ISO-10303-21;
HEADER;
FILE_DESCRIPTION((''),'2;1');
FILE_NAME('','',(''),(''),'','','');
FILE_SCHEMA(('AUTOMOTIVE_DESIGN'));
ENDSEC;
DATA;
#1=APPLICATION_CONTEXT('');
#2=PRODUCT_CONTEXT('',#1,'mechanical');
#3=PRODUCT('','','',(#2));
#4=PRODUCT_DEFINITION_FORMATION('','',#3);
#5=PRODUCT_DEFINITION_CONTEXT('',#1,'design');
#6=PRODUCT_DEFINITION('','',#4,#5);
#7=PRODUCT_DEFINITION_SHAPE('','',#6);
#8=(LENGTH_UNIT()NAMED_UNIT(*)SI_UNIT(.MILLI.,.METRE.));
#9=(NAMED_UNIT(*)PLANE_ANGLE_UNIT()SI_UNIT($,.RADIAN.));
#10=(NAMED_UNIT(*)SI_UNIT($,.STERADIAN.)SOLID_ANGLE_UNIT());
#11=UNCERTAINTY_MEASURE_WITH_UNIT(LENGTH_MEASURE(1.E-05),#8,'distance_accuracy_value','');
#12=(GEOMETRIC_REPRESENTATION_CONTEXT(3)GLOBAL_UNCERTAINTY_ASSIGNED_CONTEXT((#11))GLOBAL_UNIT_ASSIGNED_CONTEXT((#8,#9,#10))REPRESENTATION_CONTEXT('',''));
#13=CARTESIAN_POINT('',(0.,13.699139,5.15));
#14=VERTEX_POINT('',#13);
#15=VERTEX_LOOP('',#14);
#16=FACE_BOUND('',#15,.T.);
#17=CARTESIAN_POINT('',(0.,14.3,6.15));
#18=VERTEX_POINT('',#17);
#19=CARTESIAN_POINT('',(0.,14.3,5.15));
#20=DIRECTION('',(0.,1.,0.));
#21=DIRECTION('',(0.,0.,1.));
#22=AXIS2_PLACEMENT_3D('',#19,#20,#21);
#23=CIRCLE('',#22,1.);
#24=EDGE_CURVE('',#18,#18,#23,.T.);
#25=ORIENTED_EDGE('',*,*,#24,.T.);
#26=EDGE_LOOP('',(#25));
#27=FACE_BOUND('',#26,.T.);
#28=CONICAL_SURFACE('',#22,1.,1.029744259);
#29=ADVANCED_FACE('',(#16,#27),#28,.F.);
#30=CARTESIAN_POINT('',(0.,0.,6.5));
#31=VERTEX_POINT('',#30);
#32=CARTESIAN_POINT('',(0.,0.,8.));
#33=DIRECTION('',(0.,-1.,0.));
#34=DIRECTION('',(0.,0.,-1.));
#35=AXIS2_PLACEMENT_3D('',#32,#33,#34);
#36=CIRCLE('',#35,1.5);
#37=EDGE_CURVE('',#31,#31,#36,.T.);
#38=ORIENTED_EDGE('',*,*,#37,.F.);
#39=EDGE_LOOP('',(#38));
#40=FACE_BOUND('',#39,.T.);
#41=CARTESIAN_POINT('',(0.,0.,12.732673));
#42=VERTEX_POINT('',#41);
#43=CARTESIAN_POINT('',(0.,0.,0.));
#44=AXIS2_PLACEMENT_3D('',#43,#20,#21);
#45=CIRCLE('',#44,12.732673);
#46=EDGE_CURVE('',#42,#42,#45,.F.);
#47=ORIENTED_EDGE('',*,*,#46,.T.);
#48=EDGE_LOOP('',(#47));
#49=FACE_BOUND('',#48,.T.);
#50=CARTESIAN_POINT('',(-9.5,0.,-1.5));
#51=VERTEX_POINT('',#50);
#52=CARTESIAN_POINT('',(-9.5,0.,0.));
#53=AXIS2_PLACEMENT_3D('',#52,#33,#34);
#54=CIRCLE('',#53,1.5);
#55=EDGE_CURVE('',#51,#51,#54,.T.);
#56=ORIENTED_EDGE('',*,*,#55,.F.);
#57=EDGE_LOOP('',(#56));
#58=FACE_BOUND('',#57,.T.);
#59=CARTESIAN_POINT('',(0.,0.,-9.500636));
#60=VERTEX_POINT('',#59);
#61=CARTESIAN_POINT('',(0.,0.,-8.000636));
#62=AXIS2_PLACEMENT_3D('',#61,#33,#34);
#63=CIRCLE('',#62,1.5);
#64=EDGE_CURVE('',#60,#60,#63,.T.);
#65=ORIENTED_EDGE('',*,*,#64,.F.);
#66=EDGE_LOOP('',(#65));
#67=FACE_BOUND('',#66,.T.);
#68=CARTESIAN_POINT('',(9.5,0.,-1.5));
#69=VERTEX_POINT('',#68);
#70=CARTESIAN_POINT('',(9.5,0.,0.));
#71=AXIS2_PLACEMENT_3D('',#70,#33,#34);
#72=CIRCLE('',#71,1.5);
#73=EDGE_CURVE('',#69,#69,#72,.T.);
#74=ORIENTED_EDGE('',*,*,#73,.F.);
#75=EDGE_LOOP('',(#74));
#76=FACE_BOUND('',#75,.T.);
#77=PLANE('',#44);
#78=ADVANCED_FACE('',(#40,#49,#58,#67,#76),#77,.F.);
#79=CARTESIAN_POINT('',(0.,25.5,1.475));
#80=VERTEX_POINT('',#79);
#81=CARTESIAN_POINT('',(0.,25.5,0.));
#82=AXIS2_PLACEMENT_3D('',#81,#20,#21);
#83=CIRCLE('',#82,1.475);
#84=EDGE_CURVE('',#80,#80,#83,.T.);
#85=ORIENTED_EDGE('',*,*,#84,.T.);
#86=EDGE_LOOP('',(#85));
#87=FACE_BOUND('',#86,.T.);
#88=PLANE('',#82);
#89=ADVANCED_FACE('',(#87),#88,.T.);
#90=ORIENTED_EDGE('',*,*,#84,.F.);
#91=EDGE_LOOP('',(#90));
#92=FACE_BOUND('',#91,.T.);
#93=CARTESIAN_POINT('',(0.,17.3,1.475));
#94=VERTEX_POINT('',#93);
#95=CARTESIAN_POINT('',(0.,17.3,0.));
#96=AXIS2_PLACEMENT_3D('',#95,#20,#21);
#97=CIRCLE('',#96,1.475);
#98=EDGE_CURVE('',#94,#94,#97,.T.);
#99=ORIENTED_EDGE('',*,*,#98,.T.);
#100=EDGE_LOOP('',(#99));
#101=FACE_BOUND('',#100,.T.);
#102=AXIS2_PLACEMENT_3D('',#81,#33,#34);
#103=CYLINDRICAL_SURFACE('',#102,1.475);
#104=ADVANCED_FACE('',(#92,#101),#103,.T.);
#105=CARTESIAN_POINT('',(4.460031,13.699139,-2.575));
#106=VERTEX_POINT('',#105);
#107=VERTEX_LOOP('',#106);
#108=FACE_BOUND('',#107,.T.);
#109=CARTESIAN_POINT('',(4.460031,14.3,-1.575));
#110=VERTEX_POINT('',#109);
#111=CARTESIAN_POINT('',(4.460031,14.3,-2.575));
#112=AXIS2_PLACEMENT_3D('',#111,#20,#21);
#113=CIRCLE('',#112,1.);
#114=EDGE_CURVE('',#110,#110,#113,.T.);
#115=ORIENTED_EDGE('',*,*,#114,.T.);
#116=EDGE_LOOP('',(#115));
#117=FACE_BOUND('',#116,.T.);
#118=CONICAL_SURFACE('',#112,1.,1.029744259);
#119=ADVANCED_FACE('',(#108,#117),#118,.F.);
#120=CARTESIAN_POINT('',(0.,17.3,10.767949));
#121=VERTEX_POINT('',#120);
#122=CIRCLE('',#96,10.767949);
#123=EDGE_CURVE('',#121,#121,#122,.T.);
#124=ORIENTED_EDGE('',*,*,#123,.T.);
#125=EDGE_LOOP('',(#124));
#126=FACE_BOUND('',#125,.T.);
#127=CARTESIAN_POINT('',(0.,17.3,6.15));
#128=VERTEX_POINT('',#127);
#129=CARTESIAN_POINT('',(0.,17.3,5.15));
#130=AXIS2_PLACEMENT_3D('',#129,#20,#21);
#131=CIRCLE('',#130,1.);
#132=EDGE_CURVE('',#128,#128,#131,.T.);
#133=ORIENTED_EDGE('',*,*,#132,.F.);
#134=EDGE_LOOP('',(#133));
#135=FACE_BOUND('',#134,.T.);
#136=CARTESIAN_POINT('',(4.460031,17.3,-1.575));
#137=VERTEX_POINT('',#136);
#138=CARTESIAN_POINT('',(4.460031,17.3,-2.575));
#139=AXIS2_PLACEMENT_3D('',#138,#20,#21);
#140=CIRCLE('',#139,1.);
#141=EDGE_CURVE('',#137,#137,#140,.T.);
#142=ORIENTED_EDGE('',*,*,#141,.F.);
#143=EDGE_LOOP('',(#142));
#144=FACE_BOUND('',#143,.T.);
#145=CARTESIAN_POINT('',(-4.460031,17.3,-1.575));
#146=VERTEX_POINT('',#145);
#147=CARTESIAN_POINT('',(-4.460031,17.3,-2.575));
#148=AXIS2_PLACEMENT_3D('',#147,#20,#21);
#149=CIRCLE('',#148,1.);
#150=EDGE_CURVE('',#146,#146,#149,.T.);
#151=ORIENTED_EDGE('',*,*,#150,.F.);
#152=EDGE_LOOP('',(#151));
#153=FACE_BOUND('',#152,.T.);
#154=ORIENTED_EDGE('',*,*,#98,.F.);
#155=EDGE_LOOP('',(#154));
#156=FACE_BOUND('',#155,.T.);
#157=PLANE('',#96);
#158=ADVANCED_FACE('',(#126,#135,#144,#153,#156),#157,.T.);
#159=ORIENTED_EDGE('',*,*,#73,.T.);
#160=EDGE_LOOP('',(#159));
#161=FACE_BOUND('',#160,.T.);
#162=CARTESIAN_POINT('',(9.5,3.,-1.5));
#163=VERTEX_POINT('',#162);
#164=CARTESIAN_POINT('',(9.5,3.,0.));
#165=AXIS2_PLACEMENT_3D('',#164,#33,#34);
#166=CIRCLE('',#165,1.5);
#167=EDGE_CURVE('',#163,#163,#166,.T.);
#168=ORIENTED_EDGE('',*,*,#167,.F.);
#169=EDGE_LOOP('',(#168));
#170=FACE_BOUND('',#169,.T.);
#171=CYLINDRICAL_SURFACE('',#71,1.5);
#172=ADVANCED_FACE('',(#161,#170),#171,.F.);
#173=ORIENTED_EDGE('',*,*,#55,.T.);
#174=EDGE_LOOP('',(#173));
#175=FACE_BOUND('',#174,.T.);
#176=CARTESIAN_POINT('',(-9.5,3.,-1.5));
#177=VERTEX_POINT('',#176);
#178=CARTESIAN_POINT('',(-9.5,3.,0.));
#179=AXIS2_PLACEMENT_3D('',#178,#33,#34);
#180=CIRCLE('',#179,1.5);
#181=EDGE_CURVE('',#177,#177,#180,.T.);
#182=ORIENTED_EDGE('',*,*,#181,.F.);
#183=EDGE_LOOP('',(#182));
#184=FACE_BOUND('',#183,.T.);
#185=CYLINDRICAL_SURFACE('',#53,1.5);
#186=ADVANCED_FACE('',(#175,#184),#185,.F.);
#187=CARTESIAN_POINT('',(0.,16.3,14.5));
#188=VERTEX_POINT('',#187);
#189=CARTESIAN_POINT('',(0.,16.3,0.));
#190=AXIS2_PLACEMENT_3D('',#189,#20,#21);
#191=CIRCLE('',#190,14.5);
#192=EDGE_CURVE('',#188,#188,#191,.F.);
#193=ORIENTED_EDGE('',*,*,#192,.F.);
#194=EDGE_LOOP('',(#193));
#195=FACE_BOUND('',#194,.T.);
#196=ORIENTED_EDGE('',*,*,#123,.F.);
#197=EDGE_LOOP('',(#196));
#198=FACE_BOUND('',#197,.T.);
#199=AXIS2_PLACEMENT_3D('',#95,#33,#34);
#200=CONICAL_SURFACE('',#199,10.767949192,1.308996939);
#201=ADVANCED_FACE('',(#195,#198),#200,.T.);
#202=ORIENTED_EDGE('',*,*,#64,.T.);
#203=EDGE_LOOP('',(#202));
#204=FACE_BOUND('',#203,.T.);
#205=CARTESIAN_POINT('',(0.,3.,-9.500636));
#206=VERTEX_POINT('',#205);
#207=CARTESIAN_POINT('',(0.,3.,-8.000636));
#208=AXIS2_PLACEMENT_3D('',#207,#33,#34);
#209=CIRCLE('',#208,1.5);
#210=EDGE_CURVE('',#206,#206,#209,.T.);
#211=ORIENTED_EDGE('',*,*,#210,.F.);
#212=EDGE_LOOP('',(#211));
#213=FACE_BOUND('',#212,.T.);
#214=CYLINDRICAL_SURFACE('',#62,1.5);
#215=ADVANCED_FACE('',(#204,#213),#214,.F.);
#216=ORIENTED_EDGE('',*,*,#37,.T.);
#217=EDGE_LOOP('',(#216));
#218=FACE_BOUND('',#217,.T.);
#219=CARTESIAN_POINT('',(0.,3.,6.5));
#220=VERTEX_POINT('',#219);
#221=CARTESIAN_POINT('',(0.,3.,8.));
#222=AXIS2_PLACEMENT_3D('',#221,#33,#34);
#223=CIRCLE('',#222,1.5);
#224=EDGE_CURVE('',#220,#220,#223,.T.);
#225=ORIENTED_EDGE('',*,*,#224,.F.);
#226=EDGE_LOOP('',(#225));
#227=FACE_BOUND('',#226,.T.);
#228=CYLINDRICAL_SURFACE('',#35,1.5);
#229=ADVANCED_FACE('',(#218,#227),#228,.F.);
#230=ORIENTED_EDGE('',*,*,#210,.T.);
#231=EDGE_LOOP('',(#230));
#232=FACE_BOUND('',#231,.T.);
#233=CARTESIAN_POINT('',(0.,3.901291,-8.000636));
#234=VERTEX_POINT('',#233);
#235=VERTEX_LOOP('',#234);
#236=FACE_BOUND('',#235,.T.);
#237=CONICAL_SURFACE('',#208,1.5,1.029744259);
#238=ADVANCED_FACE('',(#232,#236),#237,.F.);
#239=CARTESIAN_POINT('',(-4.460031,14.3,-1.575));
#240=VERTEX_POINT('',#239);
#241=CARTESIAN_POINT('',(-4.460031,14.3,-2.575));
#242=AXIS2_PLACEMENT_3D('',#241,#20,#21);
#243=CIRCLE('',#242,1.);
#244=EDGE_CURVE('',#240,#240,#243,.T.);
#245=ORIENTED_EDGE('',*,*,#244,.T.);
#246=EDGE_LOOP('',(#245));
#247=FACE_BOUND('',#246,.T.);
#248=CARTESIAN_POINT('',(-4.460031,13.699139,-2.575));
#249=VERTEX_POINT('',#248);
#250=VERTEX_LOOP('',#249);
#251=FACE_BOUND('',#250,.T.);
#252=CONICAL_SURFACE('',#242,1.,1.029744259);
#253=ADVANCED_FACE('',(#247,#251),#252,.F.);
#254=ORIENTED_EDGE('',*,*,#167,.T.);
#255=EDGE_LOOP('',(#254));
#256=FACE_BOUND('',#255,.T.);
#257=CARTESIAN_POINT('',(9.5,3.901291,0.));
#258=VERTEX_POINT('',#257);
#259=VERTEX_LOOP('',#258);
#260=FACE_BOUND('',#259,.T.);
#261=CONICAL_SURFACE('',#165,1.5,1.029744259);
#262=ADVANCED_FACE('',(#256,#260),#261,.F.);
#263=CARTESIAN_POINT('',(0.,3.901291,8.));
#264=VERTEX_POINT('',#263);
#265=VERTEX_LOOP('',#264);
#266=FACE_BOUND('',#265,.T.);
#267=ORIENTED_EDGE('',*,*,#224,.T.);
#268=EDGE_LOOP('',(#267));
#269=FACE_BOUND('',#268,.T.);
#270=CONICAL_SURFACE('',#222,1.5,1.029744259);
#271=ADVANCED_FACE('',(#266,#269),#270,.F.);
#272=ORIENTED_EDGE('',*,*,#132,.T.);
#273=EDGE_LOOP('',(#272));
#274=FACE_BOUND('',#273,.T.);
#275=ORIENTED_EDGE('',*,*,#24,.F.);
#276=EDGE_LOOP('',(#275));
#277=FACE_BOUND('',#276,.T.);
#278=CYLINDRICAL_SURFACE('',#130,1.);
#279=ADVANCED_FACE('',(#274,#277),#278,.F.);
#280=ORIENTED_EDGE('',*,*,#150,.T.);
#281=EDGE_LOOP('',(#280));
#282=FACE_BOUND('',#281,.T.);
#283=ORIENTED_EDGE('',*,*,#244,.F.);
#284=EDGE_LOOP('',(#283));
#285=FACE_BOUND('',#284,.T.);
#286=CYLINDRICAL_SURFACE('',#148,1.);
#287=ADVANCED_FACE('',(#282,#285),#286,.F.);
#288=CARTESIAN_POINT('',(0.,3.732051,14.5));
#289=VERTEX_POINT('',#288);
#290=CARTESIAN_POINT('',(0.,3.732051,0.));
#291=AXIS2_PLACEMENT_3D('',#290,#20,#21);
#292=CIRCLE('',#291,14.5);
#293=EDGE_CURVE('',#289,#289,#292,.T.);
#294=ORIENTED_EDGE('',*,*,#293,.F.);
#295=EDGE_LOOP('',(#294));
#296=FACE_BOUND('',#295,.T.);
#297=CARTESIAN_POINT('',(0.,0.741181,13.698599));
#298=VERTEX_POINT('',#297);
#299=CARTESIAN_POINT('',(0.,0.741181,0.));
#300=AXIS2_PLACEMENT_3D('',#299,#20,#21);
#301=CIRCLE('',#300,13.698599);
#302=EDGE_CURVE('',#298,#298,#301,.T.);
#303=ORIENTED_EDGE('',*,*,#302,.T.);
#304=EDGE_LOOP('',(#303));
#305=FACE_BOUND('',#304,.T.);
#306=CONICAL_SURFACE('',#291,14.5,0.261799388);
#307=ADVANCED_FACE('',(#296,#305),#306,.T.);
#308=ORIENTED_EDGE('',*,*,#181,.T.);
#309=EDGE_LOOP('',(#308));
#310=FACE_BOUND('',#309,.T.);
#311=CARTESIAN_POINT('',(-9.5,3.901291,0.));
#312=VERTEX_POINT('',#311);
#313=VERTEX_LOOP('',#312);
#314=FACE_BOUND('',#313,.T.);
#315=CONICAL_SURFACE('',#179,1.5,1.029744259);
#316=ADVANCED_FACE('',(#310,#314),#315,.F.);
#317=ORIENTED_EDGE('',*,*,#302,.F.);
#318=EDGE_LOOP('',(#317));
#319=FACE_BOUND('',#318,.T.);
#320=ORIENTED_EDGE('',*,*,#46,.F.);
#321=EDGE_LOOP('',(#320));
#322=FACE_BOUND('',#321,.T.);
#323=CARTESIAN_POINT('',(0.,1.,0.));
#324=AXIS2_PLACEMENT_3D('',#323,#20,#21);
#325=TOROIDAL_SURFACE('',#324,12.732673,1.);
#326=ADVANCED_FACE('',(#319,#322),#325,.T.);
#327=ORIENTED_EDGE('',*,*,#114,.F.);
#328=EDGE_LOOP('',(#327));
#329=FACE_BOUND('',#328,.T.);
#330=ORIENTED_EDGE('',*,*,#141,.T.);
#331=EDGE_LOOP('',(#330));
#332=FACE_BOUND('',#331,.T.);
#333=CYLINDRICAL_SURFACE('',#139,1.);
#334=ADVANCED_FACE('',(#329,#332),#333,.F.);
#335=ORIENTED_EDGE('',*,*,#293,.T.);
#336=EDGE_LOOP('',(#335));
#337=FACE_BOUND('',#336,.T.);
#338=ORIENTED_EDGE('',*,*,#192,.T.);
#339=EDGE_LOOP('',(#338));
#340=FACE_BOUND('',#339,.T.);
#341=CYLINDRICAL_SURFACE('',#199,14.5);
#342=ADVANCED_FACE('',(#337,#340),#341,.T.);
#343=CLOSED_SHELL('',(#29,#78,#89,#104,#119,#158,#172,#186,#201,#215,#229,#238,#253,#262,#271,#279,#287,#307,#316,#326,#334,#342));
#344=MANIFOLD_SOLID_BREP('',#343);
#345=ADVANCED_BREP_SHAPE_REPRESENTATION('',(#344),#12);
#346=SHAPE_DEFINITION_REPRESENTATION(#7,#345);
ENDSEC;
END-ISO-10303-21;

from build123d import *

# Parameters (mm, degrees)
SKETCH_1_R           = 14.5
EXTRUDE_1_DEPTH      = 17.3
SKETCH_2_R           = 1.475
EXTRUDE_2_DEPTH      = 8.2
MM_CLEARANCE_1_D     = 3
MM_CLEARANCE_1_DEPTH = 3
MM_CLEARANCE_1_TIP   = 0.901290929
CHAMFER_1_SIZE       = 1
CHAMFER_1_SIZE2      = 3.732050808
FILLET_1_R           = 1
CHAMFER_2_SIZE       = 1
CHAMFER_2_SIZE2      = 3.732050808
MM_CLEARANCE_2_D     = 2
MM_CLEARANCE_2_DEPTH = 3
MM_CLEARANCE_2_TIP   = 0.600860619


with BuildPart() as part:
    # 草图1 → 凸台-拉伸1 (new body)
    with BuildSketch(Plane(origin=(0, 0, 0), x_dir=(1, 0, 0), z_dir=(0, 1, 0))):
        Circle(SKETCH_1_R)
    extrude(amount=EXTRUDE_1_DEPTH)

    # 草图2 → 凸台-拉伸2 (add)
    with BuildSketch(Plane(origin=(0, 17.3, 0), x_dir=(1, 0, 0), z_dir=(0, 1, 0))):
        Circle(SKETCH_2_R)
    extrude(amount=EXTRUDE_2_DEPTH)

    # 大小mm Clearance 暗销槽口1
    with Locations(Plane(origin=(0, 0, 0), x_dir=(-1, 0, 0), z_dir=(0, -1, 0))):
        with Locations((0, -8), (9.5, 0), (0, 8.000635696), (-9.5, 0)):
            Hole(MM_CLEARANCE_1_D / 2, depth=MM_CLEARANCE_1_DEPTH)
            with Locations((0, 0, -(MM_CLEARANCE_1_DEPTH + MM_CLEARANCE_1_TIP / 2))):  # 118° drill point
                Cone(0, MM_CLEARANCE_1_D / 2, MM_CLEARANCE_1_TIP, mode=Mode.SUBTRACT)

    # 倒角1
    chamfer_1_edges = [part.edges().sort_by_distance(p)[0] for p in [
        (-14.5, 0, 0),
    ]]
    chamfer_1_side = [part.faces().sort_by_distance(p)[0] for p in [
        (0, 0, 7.107e-06),
    ]]
    chamfer(chamfer_1_edges, length=CHAMFER_1_SIZE, length2=CHAMFER_1_SIZE2, reference=chamfer_1_side[0])

    # 圆角1
    fillet_1_edges = [part.edges().sort_by_distance(p)[0] for p in [
        (-13.5, 0, 0),
    ]]
    fillet(fillet_1_edges, radius=FILLET_1_R)

    # 倒角2
    chamfer_2_edges = [part.edges().sort_by_distance(p)[0] for p in [
        (-14.5, 17.3, 0),
    ]]
    chamfer_2_side = [part.faces().sort_by_distance(p)[0] for p in [
        (-14.5, 10.516025404, 0),
    ]]
    chamfer(chamfer_2_edges, length=CHAMFER_2_SIZE, length2=CHAMFER_2_SIZE2, reference=chamfer_2_side[0])

    # 大小mm Clearance 暗销槽口2
    with Locations(Plane(origin=(0, 17.3, 0), x_dir=(1, 0, 0), z_dir=(0, 1, 0))):
        with Locations((-4.460030829, 2.575), (4.460030829, 2.575), (0, -5.15)):
            Hole(MM_CLEARANCE_2_D / 2, depth=MM_CLEARANCE_2_DEPTH)
            with Locations((0, 0, -(MM_CLEARANCE_2_DEPTH + MM_CLEARANCE_2_TIP / 2))):  # 118° drill point
                Cone(0, MM_CLEARANCE_2_D / 2, MM_CLEARANCE_2_TIP, mode=Mode.SUBTRACT)


solid = part.part
